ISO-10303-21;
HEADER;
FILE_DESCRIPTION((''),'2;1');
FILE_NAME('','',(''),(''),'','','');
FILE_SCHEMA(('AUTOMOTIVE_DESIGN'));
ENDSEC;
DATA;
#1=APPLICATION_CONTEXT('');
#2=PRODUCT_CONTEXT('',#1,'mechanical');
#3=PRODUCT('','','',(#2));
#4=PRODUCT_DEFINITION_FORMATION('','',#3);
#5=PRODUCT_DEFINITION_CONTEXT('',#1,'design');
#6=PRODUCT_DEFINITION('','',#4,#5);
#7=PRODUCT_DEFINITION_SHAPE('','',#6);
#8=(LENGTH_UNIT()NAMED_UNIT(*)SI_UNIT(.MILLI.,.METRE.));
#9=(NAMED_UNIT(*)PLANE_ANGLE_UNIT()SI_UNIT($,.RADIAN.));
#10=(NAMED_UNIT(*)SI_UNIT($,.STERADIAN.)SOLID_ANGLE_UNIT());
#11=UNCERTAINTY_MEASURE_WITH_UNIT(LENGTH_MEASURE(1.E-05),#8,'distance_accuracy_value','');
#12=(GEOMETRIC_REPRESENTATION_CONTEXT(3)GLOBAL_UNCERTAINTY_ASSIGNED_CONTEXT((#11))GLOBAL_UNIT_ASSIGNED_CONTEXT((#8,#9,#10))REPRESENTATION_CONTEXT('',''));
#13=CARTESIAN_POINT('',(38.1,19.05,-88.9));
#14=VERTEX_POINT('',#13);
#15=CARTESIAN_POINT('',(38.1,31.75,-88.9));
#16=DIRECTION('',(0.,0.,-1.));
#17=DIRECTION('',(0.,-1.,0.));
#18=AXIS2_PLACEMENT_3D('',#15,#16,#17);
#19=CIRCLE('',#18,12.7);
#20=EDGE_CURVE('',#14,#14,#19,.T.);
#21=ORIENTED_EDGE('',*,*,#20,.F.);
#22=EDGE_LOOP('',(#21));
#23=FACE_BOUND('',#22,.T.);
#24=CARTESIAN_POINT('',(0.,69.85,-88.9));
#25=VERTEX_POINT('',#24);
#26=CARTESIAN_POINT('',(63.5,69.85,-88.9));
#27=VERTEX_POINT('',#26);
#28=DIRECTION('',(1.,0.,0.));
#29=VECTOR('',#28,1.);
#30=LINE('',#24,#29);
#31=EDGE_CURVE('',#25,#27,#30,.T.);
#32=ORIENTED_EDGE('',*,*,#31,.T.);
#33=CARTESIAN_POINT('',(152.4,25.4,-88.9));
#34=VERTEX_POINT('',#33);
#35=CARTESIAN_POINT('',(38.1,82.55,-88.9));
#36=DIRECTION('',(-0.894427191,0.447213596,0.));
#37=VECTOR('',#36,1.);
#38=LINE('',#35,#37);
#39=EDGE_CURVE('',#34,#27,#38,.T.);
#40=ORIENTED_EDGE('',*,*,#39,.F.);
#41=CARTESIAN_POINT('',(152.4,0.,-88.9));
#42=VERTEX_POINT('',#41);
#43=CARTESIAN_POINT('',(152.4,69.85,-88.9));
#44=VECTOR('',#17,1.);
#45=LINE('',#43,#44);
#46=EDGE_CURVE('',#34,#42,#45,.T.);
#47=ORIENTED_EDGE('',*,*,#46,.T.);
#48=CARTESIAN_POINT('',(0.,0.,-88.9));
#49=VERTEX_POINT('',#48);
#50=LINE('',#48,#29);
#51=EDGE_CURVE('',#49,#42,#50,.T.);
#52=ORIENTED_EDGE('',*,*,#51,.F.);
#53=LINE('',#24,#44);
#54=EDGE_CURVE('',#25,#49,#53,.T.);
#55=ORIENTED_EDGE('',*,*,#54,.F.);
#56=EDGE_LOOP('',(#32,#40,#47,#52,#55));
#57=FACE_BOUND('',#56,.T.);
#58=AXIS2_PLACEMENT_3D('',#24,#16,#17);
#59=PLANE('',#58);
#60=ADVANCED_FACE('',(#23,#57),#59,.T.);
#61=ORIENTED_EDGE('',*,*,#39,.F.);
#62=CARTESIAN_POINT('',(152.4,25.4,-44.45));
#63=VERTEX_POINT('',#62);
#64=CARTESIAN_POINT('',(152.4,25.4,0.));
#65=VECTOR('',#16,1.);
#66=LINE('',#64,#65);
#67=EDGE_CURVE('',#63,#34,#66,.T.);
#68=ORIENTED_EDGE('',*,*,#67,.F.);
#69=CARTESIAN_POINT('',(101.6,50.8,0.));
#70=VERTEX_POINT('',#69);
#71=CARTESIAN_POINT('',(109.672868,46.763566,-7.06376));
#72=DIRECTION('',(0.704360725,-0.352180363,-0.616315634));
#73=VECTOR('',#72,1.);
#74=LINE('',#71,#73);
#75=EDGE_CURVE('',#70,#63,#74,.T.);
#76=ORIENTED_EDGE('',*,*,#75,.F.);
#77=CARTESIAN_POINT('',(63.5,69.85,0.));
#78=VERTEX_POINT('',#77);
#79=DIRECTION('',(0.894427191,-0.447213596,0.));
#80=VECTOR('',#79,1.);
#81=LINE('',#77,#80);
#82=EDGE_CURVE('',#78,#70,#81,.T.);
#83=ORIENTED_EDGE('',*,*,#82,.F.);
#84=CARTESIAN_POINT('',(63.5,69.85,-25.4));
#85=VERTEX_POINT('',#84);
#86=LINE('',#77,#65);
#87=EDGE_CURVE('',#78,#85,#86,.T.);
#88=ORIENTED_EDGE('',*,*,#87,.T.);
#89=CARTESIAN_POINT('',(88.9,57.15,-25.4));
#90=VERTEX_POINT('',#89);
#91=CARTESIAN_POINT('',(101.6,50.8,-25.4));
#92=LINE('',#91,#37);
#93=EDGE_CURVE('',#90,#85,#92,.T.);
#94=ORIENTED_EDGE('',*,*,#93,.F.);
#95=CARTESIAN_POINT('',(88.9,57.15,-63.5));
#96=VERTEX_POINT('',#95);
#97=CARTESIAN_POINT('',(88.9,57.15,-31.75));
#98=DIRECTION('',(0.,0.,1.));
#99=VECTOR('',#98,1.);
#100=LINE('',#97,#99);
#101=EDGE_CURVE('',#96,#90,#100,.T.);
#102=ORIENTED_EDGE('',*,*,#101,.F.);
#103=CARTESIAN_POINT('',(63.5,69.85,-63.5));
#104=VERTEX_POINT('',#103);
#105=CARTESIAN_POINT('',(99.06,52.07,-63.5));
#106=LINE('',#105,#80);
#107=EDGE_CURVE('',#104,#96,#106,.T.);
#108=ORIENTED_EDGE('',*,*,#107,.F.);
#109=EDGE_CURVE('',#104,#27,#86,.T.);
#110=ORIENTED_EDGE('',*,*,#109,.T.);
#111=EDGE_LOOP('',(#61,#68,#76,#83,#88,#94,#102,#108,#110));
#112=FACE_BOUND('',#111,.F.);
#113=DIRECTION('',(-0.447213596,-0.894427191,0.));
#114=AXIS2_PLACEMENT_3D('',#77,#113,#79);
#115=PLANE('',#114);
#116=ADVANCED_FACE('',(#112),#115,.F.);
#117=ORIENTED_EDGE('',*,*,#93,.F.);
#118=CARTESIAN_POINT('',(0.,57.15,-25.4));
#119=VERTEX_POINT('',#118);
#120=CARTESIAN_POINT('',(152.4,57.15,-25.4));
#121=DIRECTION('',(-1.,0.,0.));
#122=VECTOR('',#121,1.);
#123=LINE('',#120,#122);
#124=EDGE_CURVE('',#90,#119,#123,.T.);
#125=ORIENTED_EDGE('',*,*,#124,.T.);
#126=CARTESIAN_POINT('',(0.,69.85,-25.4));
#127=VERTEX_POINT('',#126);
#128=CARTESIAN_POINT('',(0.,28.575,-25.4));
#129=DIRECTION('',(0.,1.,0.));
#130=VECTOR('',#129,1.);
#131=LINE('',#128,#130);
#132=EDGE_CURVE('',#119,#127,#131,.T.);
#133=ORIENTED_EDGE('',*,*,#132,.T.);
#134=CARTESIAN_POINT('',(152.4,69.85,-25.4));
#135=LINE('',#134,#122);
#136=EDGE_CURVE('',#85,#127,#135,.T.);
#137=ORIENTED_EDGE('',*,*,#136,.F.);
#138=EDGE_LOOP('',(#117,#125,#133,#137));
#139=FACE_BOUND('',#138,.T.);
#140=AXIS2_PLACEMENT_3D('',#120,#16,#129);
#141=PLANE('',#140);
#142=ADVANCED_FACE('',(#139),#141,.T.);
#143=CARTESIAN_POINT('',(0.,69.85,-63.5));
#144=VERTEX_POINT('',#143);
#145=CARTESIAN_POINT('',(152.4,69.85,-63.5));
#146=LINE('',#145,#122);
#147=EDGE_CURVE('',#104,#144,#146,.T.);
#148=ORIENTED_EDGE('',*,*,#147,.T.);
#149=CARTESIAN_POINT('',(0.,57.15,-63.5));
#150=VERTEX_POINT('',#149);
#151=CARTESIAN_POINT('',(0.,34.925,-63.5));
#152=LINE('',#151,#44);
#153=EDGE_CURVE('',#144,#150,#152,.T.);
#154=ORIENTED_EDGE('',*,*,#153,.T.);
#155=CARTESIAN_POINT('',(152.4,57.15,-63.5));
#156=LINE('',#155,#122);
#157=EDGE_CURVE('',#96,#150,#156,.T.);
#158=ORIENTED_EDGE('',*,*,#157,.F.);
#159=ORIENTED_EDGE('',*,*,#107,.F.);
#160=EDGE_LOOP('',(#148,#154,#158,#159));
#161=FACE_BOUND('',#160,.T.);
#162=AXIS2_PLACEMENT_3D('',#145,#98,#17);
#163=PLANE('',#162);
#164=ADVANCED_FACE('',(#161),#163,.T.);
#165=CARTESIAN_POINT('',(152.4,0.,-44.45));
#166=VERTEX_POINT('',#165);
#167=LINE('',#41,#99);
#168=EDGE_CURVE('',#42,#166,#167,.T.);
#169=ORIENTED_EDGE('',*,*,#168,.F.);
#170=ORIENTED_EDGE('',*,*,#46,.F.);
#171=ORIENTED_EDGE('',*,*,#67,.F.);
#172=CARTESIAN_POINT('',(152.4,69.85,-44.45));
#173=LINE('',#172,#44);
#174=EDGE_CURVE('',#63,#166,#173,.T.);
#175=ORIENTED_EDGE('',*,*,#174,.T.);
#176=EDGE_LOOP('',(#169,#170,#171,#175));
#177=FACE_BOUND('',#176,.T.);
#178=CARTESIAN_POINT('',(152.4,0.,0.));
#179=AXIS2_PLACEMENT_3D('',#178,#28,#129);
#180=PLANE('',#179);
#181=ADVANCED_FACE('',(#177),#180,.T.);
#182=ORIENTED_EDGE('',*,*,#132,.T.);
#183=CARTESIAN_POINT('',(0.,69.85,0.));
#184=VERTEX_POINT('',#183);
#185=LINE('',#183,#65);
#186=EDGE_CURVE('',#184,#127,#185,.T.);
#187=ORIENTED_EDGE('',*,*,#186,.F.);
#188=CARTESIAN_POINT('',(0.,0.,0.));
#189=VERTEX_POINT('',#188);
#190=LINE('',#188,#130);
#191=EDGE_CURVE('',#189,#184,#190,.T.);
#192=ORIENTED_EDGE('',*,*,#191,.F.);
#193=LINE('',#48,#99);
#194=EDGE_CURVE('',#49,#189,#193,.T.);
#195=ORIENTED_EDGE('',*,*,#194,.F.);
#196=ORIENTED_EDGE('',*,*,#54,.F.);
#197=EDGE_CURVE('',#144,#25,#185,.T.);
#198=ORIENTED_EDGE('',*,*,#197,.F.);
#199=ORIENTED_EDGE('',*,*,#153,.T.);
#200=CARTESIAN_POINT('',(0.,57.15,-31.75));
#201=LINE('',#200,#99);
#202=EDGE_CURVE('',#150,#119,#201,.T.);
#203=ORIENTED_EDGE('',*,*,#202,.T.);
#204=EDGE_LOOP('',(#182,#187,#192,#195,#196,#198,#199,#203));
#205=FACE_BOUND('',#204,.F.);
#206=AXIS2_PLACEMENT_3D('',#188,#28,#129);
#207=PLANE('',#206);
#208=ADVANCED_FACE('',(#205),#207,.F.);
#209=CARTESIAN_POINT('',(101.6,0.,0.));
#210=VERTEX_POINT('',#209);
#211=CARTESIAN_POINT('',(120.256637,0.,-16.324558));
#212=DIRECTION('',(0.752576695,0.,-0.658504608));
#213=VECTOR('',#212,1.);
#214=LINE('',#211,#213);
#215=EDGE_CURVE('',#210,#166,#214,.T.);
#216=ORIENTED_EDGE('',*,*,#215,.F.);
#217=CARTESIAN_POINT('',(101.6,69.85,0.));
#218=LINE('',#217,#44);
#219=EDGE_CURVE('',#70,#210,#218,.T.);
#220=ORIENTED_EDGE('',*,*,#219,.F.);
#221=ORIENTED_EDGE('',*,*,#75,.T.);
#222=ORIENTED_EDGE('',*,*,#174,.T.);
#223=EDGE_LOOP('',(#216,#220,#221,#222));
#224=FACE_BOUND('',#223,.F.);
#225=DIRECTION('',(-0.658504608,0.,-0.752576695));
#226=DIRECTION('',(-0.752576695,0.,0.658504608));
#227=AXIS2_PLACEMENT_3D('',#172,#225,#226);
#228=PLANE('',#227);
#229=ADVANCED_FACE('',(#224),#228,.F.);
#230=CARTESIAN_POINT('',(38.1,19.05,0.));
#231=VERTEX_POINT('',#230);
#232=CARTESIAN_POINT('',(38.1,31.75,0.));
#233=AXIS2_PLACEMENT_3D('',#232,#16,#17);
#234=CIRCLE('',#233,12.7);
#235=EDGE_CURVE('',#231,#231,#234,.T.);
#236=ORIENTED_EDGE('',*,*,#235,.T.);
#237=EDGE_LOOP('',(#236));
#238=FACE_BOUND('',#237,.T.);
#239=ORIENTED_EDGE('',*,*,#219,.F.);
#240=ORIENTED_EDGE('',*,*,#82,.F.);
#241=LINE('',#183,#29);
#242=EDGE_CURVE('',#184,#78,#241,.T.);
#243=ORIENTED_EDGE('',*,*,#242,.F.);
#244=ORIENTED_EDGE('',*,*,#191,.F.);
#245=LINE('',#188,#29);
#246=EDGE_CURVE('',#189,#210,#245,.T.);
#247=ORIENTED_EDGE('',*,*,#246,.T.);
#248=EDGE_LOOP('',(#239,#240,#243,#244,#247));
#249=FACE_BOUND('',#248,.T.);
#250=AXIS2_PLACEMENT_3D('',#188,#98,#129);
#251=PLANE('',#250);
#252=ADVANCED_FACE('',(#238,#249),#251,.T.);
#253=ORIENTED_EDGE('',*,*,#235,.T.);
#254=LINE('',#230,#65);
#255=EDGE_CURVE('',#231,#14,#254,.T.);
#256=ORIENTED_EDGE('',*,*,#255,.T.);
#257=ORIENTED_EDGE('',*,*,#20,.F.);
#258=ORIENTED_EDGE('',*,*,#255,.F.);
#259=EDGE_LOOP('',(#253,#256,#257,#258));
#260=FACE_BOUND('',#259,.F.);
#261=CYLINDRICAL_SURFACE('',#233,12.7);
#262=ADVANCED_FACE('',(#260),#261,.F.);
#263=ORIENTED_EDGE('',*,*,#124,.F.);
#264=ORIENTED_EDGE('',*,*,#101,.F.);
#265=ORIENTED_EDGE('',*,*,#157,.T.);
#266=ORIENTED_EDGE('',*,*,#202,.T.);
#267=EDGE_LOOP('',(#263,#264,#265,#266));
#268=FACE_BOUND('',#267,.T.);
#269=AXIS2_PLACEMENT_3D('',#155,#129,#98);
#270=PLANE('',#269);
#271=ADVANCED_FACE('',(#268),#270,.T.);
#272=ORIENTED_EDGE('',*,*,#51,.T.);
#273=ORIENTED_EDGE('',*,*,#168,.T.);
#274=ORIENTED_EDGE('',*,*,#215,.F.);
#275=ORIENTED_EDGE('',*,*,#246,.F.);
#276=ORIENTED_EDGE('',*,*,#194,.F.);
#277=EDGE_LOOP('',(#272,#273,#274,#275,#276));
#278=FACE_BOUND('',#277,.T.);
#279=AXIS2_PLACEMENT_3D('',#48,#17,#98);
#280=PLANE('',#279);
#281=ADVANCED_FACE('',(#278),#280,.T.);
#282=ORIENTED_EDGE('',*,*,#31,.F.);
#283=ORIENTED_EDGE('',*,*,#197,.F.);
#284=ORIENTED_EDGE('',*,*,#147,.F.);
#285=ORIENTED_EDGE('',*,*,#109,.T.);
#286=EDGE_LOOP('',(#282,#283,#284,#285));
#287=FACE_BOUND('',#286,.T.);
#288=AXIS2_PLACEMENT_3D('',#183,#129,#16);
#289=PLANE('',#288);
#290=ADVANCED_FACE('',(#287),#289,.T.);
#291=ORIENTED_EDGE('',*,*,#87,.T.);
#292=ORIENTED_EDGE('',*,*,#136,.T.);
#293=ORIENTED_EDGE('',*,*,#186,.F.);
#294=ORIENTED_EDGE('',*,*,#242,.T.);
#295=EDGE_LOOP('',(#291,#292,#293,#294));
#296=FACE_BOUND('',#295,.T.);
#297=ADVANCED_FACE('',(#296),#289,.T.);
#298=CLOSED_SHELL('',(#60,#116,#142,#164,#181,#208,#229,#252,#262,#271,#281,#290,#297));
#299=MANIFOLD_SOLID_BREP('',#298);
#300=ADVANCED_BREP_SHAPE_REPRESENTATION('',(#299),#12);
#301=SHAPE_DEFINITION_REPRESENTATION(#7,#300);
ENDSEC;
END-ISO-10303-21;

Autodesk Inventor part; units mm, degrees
ref_plane "YZ Plane" through (0, 0, 0) normal (1, 0, 0) x (0, 1, 0)
ref_plane "XZ Plane" through (0, 0, 0) normal (0, 1, 0) x (-1, 0, 0)
ref_plane "XY Plane" through (0, 0, 0) normal (0, 0, 1) x (1, 0, 0)
sketch "Sketch1" plane through (0, 0, 0) normal (1, 0, 0) x (0, 1, 0)
  line L0 (0, 0) -> (69.85, 0)
  line L1 (69.85, 0) -> (69.85, -88.9)
  line L2 (69.85, -88.9) -> (0, -88.9)
  line L3 (0, -88.9) -> (0, 0)
  dimension "d0" = 88.9
  dimension "d1" = 69.85
extrude "Extrusion1" add sketch "Sketch1" along normal blind 152.4
sketch "Sketch4" plane through (152.4, 0, 0) normal (1, 0, 0) x (0, 0, -1)
  line L0 (88.9, 69.85) -> (0, 69.85) projected
  line L1 (25.4, 69.85) -> (63.5, 69.85)
  line L2 (63.5, 69.85) -> (63.5, 57.15)
  line L3 (63.5, 57.15) -> (25.4, 57.15)
  line L4 (25.4, 57.15) -> (25.4, 69.85)
  line L5 (88.9, 0) -> (88.9, 69.85) projected
  point P0 (0, 0)
  point P1 (63.5, 69.85)
  dimension "d6" = 38.1
  dimension "d7" = 25.4
  dimension "d8" = 12.7
extrude "Extrusion3" cut sketch "Sketch4" against normal through all
sketch "Sketch5" plane through (0, 0, 0) normal (0, 0, 1) x (1, 0, 0)
  line L0 (0, 69.85) -> (152.4, 69.85) projected
  line L1 (63.5, 69.85) -> (152.4, 25.4)
  line L2 (152.4, 69.85) -> (152.4, 0) projected
  line L3 (0, 69.85) -> (0, 0) projected
  line L4 (0, 0) -> (152.4, 0) projected
  line L5 (152.4, 69.85) -> (152.4, 0) projected
  line L6 (0, 69.85) -> (152.4, 69.85) projected
  dimension "d28" = 25.4
  dimension "d29" = 63.5
extrude "Extrusion4" cut sketch "Sketch5" against normal through all contours L0 L2 L1
sketch "Sketch6" plane through (0, 69.85, -63.5) normal (0, 1, 0) x (1, 0, 0)
  line L0 (152.4, 25.4) -> (152.4, -63.5) projected
  line L1 (152.4, -19.05) -> (101.6, -63.5)
  line L2 (0, -63.5) -> (152.4, -63.5) projected
  line L3 (0, 25.4) -> (0, -63.5) projected
  line L4 (0, 25.4) -> (0, -63.5) projected
  line L5 (0, 25.4) -> (152.4, 25.4) projected
  line L6 (63.5, 25.4) -> (152.4, 25.4) projected
  point P0 (0, -38.1)
  point P1 (0, 0)
  dimension "d22" = 101.6
  dimension "d30" = 44.45
extrude "Extrusion5" cut sketch "Sketch6" against normal through all contours L0 L2 L1
sketch "Sketch8" plane through (0, 0, 0) normal (0, 0, 1) x (1, 0, 0)
  line L0 (0, 69.85) -> (0, 0) projected
  line L1 (0, 0) -> (101.6, 0) projected
  point P0 (38.1, 31.75)
  dimension "d31" = 38.1
  dimension "d32" = 31.75
hole "Hole1" at (38.1, 31.75, 0) direction (0, 0, -1) diameter 25.4 end through all
properties part number "WedgeBlock"
